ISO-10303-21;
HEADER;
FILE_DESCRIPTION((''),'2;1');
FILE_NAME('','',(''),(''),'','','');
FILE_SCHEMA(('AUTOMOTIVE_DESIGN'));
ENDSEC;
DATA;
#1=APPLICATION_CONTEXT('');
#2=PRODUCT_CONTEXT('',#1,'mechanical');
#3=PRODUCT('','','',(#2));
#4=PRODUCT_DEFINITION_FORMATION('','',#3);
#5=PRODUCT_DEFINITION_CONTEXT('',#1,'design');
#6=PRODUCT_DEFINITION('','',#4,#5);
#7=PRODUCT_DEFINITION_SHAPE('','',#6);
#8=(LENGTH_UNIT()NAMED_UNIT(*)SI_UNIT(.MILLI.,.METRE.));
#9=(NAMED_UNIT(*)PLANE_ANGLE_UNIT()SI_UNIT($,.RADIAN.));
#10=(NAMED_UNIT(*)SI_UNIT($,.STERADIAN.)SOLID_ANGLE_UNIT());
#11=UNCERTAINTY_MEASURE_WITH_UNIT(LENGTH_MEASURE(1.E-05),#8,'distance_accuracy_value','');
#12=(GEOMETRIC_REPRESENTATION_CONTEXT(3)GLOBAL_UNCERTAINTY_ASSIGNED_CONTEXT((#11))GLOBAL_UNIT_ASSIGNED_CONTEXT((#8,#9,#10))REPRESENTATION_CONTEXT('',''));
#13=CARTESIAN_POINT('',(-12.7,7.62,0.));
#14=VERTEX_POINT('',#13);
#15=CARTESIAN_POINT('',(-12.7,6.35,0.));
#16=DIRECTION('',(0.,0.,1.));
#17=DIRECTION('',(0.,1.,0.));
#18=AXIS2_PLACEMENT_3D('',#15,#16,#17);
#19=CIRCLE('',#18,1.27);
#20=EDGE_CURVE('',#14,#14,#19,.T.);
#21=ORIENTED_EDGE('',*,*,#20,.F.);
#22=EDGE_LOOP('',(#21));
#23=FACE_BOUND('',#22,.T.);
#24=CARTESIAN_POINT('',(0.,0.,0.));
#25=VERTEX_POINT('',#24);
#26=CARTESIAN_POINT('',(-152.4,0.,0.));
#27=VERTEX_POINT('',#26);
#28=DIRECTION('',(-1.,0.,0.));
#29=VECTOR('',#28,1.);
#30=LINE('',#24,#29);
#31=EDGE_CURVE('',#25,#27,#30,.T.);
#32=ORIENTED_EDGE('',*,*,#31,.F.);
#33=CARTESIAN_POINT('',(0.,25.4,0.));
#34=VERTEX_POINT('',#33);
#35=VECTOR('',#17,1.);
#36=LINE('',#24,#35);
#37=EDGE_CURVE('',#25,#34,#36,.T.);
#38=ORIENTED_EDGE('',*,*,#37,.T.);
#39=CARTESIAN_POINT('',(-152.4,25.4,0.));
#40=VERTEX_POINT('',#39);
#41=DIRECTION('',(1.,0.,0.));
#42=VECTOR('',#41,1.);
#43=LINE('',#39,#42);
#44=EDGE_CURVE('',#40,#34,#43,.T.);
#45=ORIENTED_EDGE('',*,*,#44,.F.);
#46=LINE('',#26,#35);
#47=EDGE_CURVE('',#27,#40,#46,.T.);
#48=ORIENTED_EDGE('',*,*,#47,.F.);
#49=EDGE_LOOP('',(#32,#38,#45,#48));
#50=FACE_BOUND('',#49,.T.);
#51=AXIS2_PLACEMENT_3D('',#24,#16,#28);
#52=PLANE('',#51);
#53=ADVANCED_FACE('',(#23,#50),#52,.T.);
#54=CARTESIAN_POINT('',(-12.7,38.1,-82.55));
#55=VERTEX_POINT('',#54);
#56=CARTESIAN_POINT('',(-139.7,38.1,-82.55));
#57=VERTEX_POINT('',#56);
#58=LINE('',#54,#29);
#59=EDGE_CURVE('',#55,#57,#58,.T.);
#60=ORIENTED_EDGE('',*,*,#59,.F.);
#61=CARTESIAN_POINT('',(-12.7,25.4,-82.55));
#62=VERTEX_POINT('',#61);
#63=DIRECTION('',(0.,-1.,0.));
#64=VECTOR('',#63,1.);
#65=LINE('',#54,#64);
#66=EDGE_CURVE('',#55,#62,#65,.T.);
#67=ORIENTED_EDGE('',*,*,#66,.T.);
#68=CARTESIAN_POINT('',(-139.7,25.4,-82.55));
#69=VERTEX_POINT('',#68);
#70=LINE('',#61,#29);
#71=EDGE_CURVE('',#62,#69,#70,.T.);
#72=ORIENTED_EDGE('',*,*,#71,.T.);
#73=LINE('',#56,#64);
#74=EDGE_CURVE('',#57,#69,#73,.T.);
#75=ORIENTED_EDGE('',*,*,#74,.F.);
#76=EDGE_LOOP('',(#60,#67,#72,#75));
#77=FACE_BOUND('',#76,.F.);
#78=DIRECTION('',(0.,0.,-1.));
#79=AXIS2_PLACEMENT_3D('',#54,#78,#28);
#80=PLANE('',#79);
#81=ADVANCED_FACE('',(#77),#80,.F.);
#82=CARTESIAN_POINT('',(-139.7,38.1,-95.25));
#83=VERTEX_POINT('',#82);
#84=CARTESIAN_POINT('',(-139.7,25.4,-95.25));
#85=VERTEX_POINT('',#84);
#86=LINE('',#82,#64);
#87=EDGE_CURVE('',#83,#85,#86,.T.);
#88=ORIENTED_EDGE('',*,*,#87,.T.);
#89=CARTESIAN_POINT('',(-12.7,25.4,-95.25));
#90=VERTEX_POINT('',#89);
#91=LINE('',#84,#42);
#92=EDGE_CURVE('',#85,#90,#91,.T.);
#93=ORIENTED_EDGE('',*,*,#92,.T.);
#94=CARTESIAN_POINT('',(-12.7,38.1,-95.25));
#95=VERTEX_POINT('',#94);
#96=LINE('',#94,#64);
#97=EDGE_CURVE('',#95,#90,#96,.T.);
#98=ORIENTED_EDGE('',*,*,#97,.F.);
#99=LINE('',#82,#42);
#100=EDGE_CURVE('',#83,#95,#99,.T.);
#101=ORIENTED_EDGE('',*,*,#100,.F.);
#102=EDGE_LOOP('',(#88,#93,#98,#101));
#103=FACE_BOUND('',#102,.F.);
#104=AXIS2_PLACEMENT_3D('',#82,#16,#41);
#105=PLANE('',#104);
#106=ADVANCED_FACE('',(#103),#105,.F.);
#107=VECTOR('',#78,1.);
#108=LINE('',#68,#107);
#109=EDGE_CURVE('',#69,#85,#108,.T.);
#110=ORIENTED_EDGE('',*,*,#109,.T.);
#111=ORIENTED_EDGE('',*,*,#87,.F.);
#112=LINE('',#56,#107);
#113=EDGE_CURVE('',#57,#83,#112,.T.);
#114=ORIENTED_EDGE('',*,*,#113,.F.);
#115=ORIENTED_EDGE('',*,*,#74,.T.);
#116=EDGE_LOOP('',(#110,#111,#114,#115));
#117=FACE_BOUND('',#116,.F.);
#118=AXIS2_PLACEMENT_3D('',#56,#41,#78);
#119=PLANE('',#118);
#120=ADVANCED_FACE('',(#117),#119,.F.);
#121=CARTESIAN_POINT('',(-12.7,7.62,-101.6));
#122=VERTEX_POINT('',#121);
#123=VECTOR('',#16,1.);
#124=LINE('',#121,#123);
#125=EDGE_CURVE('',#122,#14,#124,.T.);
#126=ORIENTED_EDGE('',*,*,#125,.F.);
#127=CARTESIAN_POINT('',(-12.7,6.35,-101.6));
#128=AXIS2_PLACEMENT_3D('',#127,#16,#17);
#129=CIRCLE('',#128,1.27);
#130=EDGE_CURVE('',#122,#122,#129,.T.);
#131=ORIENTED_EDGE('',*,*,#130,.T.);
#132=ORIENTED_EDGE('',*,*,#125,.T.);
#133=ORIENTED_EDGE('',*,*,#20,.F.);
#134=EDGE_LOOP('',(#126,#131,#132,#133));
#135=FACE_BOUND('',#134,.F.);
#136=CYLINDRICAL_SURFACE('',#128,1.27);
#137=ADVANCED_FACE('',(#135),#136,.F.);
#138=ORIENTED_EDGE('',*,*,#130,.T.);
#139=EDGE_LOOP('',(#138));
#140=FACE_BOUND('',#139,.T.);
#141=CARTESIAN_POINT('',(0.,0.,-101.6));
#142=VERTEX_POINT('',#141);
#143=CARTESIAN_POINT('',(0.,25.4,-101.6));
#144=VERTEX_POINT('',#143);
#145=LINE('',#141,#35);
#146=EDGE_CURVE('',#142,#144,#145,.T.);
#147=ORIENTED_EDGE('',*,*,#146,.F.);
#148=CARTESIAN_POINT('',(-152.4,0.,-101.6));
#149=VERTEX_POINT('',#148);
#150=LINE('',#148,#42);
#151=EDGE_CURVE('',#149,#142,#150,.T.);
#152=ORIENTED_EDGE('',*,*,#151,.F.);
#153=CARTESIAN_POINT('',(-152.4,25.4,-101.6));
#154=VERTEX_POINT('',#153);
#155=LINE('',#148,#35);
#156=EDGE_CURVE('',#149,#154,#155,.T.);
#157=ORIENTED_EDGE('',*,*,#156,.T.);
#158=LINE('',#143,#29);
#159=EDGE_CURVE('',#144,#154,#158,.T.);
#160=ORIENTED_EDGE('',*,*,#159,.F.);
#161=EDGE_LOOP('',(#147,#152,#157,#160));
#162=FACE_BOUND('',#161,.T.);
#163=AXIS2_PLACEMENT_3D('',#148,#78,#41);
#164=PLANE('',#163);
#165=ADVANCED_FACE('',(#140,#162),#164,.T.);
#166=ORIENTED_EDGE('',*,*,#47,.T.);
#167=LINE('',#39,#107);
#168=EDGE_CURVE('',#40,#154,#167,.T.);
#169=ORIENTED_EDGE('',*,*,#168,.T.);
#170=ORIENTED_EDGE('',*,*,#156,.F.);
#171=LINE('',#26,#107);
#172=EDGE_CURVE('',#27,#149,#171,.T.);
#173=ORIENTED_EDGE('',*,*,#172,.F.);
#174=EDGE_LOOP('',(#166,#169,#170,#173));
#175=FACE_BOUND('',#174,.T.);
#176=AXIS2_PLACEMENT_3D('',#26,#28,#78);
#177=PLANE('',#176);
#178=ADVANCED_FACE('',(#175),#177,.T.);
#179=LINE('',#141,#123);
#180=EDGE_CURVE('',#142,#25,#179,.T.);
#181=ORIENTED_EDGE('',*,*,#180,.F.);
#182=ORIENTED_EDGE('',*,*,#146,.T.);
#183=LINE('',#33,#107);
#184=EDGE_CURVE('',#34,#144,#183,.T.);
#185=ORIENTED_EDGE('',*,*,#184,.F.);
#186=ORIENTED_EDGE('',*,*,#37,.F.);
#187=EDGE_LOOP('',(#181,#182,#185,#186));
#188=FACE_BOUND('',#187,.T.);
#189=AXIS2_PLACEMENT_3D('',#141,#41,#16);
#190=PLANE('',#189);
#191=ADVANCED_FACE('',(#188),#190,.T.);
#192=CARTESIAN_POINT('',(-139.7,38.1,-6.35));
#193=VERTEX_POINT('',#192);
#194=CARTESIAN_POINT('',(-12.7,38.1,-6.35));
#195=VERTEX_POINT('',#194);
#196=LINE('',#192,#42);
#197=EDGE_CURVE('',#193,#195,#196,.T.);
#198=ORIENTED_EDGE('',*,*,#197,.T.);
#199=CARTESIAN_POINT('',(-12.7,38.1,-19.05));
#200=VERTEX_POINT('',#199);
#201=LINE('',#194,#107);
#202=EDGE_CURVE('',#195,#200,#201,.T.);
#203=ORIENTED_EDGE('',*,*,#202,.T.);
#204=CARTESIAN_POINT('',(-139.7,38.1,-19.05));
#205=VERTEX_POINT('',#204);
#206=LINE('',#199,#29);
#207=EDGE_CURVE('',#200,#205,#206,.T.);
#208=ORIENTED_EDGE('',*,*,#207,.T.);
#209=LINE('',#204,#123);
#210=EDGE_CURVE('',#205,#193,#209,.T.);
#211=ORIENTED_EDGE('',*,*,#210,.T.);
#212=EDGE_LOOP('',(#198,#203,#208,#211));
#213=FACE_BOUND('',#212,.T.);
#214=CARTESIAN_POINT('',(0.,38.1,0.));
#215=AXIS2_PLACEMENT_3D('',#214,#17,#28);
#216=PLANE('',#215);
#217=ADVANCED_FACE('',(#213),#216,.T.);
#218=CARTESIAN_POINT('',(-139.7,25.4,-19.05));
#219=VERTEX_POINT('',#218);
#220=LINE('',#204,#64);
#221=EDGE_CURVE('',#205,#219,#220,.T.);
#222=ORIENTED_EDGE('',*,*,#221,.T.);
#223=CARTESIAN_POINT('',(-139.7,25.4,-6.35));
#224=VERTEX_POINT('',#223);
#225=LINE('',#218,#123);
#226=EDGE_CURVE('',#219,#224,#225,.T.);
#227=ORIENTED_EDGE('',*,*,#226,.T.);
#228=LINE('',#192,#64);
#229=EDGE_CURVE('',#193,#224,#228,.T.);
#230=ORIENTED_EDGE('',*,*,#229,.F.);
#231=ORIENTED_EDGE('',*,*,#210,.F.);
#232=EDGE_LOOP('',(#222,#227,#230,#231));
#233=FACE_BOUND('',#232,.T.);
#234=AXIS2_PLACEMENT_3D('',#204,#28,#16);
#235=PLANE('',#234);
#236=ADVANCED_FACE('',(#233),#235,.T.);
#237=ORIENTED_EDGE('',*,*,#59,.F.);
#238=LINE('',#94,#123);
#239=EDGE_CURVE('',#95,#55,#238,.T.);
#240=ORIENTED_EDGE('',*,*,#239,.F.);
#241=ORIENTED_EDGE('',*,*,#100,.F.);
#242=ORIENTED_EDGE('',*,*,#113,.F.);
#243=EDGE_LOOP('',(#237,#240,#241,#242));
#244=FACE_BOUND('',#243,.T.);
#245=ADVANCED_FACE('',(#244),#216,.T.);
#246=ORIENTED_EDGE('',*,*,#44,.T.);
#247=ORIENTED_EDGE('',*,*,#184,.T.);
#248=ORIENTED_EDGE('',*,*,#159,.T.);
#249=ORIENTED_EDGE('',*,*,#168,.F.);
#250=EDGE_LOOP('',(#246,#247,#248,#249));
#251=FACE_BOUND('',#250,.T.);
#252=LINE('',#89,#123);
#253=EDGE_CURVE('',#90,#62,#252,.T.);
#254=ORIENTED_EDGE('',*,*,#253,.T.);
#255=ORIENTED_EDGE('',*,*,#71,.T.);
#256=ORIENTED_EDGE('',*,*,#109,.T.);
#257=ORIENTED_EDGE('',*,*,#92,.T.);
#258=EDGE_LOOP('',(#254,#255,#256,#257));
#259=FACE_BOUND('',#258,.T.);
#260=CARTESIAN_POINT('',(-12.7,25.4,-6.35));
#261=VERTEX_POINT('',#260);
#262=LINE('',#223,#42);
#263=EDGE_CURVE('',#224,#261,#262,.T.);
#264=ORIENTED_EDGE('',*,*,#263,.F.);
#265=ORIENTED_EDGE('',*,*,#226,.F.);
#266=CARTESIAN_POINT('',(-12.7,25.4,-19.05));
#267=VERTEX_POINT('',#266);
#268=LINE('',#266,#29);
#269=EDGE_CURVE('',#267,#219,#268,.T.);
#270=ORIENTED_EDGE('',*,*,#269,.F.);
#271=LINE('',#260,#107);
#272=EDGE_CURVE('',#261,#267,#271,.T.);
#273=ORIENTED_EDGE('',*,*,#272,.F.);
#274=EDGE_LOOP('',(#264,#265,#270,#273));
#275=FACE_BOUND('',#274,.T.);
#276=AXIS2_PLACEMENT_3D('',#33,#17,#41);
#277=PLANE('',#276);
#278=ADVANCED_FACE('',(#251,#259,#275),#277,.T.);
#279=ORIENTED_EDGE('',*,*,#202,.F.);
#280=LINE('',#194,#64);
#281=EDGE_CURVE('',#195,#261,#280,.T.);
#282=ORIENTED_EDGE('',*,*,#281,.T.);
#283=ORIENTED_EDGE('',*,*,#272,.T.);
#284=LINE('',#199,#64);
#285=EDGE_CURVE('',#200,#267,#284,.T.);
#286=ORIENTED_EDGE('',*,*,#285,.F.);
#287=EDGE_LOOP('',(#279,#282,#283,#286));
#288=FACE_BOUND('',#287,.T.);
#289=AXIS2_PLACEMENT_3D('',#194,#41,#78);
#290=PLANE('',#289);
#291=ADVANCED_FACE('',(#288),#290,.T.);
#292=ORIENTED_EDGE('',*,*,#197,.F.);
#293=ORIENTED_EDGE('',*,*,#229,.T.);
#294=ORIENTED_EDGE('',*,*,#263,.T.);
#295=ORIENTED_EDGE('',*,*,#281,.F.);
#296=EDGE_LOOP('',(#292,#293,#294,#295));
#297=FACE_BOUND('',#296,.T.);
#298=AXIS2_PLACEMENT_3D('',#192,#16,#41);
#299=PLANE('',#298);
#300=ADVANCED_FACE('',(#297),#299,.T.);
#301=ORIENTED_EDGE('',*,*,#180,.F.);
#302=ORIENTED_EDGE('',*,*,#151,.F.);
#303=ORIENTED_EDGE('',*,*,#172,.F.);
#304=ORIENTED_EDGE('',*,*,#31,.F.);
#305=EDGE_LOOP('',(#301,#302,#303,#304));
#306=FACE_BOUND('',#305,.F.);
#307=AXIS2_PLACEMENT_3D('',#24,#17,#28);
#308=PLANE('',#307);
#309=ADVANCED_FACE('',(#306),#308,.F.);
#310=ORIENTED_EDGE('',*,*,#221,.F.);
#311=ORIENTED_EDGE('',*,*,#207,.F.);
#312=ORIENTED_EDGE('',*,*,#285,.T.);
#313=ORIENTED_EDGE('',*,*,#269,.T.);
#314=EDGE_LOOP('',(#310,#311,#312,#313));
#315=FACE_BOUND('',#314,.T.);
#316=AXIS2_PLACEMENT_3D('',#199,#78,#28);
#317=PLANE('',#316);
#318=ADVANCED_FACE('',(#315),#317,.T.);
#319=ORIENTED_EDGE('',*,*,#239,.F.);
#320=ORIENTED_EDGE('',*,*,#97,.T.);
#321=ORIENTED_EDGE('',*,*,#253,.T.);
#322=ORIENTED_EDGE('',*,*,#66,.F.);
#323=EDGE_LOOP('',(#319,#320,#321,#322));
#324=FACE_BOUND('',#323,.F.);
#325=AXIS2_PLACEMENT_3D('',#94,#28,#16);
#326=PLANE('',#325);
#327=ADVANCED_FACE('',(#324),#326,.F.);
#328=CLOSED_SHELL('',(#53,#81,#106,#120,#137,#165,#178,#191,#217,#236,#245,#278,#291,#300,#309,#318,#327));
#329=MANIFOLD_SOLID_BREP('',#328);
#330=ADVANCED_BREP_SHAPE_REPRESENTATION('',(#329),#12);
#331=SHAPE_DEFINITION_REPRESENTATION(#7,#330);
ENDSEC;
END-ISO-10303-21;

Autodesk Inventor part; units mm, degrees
ref_plane "YZ Plane" through (0, 0, 0) normal (1, 0, 0) x (0, 1, 0)
ref_plane "XZ Plane" through (0, 0, 0) normal (0, 1, 0) x (-1, 0, 0)
sketch "Sketch1" plane through (0, 0, 0) normal (0, 1, 0) x (-1, 0, 0)
  line L0 (0, 0) -> (152.4, 0)
  line L1 (152.4, 0) -> (152.4, -101.6)
  line L2 (152.4, -101.6) -> (0, -101.6)
  line L3 (0, -101.6) -> (0, 0)
  dimension "d0" = 152.4
  dimension "d1" = 101.6
extrude "Extrusion1" add sketch "Sketch1" along normal blind 38.1
ref_plane "Work Plane1" through (-152.4, 0, -50.8) normal (0, 0, 1) x (1, 0, 0)
sketch "Sketch3" plane through (0, 38.1, 0) normal (0, 1, 0) x (1, 0, 0)
  line L0 (-139.7, 95.25) -> (-12.7, 95.25)
  line L1 (-12.7, 95.25) -> (-12.7, 82.55)
  line L2 (-12.7, 82.55) -> (-139.7, 82.55)
  line L3 (-139.7, 82.55) -> (-139.7, 95.25)
  line L4 (0, 101.6) -> (-152.4, 101.6) projected
  line L5 (0, 0) -> (0, 101.6) projected
  line L6 (-152.4, 101.6) -> (-152.4, 0) projected
  line L7 (30.48, 50.8) -> (-182.88, 50.8) projected
  line L8 (-139.7, 6.35) -> (-12.7, 6.35)
  line L9 (-12.7, 6.35) -> (-12.7, 19.05)
  line L10 (-12.7, 19.05) -> (-139.7, 19.05)
  line L11 (-139.7, 19.05) -> (-139.7, 6.35)
  line L12 (0, 101.6) -> (-152.4, 101.6)
  line L13 (-152.4, 101.6) -> (-152.4, 0)
  line L14 (-152.4, 0) -> (0, 0)
  line L15 (0, 0) -> (0, 101.6)
  dimension "d12" = 6.35
  dimension "d13" = 12.7
  dimension "d14" = 12.7
  dimension "d15" = 12.7
extrude "Extrusion3" cut sketch "Sketch3" against normal blind 12.7
sketch "Sketch4" plane through (0, 0, -101.6) normal (0, 0, -1) x (-1, 0, 0)
  line L0 (0, 0) -> (0, 25.4) projected
  line L1 (152.4, 0) -> (0, 0) projected
  point P0 (12.7, 6.35)
  dimension "d18" = 12.7
  dimension "d19" = 6.35
hole "Hole1" at (-12.7, 6.35, -101.6) direction (0, 0, 1) diameter 2.54 end through all
properties part number "BS #3"
